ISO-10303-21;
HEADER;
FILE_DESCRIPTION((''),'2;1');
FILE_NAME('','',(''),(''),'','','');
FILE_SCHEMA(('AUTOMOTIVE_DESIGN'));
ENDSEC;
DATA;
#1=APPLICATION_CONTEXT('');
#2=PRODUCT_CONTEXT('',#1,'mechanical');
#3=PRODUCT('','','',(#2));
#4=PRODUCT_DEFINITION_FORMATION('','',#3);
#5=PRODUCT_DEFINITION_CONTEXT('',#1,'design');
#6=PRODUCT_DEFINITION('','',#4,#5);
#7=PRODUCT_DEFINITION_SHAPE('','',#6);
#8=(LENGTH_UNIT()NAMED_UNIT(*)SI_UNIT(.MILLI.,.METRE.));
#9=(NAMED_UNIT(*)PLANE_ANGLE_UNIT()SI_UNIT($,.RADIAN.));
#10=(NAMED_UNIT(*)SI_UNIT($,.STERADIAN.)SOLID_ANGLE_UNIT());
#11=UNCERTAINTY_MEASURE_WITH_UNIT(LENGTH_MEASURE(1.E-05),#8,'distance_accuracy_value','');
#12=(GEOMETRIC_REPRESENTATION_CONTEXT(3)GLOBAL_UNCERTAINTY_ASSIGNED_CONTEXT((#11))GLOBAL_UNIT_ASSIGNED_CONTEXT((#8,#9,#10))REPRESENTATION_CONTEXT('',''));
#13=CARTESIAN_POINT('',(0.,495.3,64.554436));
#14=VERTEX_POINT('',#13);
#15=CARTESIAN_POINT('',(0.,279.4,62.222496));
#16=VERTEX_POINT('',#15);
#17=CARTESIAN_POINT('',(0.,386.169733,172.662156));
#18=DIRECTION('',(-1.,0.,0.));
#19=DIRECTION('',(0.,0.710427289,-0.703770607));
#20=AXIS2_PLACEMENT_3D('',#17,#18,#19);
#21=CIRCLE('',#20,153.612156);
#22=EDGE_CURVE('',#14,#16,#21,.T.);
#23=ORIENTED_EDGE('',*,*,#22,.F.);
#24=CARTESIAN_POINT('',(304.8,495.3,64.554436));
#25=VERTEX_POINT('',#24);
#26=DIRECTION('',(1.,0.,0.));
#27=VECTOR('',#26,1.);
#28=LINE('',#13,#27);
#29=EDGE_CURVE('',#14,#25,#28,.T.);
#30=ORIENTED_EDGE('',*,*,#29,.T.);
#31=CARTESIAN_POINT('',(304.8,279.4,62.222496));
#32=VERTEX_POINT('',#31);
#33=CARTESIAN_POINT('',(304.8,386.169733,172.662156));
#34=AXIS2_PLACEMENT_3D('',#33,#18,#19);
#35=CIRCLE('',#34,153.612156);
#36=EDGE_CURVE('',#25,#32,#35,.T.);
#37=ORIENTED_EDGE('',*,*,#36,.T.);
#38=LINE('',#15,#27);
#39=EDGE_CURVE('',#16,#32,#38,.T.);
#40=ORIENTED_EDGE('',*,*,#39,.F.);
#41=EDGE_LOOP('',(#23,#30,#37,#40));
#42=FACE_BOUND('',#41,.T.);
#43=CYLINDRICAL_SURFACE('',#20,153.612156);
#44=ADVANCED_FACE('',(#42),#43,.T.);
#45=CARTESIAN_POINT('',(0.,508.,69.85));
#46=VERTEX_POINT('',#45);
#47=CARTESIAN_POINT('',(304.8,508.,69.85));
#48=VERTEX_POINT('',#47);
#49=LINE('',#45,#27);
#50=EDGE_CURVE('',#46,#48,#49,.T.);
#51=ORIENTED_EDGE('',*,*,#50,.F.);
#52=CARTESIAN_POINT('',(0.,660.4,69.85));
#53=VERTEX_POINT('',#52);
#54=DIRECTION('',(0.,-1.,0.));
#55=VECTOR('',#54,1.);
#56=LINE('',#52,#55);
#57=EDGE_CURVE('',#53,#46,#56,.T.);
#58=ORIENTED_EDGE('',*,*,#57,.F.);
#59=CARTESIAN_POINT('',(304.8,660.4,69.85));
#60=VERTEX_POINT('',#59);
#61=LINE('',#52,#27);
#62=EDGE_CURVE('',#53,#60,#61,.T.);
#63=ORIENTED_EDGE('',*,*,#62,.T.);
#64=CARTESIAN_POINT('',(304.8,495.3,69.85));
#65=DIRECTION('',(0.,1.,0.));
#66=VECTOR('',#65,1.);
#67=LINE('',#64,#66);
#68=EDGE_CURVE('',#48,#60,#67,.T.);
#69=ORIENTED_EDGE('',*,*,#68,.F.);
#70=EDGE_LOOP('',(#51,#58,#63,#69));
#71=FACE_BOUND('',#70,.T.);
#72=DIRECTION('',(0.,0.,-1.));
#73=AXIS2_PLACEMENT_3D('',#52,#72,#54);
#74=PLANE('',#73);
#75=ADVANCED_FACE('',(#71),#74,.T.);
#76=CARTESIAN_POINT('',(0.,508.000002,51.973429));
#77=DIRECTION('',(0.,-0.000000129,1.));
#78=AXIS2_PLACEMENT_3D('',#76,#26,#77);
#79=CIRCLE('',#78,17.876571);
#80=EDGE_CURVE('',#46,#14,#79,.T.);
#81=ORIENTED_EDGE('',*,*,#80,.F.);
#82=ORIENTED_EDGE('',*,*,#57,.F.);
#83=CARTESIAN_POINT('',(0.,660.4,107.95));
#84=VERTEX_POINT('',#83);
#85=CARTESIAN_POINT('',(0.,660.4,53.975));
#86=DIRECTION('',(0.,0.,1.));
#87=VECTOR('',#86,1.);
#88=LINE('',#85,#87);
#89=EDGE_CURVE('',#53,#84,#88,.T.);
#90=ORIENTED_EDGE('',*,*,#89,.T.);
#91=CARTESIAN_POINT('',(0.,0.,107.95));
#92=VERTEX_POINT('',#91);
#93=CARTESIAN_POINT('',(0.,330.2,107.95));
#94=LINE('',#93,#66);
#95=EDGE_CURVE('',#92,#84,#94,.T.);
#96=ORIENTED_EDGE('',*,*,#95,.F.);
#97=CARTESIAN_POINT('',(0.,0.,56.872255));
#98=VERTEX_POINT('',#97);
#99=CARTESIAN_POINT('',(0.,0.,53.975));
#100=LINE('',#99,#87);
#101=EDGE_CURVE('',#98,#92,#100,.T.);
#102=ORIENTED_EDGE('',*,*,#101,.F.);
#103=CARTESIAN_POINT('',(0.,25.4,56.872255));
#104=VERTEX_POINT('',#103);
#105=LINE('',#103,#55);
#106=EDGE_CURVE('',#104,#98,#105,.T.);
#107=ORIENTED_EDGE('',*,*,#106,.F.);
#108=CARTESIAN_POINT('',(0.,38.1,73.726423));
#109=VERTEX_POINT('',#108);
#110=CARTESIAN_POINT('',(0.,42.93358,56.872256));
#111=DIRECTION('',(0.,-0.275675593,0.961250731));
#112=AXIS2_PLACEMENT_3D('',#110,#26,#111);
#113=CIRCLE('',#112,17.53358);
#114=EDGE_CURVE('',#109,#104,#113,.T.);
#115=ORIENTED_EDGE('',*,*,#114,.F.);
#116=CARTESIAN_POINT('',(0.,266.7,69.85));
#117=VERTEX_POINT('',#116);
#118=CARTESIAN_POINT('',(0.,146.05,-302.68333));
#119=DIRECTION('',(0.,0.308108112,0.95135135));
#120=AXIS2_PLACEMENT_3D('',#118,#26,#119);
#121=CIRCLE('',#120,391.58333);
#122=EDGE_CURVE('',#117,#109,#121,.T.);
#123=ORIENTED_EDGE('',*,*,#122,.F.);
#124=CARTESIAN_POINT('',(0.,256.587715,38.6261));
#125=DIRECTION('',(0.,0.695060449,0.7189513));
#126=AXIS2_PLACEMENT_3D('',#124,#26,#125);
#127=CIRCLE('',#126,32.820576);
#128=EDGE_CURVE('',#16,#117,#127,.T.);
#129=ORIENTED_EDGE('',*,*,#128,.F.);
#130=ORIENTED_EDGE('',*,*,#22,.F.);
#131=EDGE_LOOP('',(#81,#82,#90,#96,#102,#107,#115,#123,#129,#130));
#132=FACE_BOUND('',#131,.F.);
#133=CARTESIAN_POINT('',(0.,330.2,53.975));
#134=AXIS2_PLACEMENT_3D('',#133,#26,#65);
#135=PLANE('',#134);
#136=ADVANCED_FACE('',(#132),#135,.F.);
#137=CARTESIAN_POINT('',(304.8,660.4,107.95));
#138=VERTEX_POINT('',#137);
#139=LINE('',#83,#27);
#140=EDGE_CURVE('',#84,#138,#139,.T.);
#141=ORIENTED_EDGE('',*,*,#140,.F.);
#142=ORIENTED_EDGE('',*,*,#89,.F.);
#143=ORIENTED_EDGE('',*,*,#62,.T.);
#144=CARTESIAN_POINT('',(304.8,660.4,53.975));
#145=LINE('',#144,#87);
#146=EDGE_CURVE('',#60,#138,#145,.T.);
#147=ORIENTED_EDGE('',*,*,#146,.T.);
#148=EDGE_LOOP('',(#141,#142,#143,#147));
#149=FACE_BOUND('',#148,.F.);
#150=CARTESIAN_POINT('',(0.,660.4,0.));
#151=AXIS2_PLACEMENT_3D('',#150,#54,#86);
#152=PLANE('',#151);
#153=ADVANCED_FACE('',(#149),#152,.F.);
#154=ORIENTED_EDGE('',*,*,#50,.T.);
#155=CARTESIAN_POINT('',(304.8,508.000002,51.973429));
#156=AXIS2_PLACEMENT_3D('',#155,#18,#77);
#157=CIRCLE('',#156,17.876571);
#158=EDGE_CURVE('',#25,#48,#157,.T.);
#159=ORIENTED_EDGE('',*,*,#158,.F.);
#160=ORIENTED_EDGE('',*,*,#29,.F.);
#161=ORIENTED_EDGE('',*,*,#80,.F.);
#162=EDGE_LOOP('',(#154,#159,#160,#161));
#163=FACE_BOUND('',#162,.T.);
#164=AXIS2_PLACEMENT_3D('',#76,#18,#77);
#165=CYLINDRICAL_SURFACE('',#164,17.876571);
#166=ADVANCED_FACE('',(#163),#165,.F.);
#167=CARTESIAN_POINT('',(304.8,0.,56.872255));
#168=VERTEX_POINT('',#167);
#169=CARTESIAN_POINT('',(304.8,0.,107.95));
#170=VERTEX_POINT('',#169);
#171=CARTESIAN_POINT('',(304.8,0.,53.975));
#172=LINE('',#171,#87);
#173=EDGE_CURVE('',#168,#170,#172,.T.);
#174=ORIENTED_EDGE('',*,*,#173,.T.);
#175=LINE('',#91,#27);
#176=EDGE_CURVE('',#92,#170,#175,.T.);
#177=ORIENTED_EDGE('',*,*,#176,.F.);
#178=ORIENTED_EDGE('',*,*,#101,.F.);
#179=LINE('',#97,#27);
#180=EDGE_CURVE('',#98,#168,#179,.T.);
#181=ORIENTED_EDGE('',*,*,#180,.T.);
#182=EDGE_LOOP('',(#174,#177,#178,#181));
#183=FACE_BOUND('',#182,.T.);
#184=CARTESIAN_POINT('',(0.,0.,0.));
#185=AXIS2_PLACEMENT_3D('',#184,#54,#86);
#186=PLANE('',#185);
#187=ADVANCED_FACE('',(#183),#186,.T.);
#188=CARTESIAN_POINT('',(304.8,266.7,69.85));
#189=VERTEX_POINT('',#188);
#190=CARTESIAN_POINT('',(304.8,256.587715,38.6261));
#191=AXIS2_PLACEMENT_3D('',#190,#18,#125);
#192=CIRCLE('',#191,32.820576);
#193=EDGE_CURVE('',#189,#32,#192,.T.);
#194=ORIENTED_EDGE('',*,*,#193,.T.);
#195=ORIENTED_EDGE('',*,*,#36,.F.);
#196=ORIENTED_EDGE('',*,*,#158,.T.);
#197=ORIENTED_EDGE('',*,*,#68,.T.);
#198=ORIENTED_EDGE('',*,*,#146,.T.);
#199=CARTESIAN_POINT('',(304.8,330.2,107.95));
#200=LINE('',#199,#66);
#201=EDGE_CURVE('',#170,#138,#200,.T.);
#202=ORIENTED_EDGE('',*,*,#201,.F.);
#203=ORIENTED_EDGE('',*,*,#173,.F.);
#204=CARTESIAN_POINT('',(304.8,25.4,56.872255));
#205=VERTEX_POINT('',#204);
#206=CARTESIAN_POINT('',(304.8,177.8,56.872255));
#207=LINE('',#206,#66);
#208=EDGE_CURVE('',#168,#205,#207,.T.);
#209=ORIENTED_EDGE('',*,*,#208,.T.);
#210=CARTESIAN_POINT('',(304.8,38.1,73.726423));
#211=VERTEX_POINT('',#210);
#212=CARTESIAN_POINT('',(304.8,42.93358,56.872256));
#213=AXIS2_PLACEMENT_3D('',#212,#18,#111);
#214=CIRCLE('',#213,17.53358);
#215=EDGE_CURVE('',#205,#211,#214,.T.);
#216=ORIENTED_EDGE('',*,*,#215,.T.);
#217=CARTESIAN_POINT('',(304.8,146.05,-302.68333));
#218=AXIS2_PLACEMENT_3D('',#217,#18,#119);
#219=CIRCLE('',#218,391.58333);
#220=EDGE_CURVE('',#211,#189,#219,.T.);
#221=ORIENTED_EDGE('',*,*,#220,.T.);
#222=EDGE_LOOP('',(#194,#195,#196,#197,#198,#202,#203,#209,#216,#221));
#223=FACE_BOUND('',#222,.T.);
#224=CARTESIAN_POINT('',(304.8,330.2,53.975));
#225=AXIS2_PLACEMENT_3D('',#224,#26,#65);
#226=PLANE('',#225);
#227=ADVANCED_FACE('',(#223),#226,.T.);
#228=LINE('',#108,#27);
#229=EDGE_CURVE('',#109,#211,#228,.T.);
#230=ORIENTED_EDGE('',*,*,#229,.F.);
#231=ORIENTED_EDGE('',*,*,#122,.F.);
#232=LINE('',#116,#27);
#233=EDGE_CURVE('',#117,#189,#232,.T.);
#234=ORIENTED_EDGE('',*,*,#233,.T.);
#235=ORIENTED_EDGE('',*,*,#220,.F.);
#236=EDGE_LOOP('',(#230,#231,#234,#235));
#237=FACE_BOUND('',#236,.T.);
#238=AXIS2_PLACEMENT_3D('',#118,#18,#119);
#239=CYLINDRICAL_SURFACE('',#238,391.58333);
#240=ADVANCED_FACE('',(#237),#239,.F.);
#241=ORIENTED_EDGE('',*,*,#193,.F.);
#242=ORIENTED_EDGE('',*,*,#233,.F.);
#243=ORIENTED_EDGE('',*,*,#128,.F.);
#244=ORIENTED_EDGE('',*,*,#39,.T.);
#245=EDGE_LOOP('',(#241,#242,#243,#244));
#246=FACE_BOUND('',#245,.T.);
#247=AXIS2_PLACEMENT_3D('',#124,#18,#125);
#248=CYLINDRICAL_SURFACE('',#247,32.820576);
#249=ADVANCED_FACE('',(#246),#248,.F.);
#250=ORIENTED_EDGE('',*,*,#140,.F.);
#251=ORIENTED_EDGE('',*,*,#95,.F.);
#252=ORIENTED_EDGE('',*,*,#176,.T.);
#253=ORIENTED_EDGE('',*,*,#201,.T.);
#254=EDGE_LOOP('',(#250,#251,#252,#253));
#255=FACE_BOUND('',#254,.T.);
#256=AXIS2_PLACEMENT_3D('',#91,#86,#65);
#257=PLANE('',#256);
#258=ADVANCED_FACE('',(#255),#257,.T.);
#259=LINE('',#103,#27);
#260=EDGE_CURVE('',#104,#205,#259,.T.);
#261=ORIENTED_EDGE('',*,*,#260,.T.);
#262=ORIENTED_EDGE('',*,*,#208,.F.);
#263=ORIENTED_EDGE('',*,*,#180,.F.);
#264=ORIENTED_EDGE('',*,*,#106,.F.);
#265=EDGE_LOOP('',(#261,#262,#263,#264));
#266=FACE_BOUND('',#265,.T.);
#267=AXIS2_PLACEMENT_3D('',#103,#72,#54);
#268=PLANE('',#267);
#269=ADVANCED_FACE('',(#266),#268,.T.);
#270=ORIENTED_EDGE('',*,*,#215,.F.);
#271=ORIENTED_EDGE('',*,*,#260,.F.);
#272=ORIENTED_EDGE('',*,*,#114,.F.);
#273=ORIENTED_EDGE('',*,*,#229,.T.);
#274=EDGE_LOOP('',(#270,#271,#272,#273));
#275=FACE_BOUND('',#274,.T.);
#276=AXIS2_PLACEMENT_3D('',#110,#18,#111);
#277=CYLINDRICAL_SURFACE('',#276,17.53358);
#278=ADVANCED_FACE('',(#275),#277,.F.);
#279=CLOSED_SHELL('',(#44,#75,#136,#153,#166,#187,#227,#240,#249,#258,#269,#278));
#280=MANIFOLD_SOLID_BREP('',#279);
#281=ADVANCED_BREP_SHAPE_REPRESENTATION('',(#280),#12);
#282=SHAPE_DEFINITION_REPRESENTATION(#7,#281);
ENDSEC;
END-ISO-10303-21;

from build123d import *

# Parameters (mm, degrees)
F1_W     = 660.4
F1_H     = 107.95
F2_DEPTH = 304.8
F3_DEPTH = 304.801


with BuildPart() as f2:
    # F1 (on Right) → F2 (new body)
    with BuildSketch(Plane.YZ):
        with Locations((330.2, 53.975)):
            Rectangle(F1_W, F1_H)
    extrude(amount=F2_DEPTH)

    # F0 (on Right) → F3 (cut, through all)
    with BuildSketch(Plane.YZ):
        with BuildLine():
            Line((0, 0), (25.4, 0))
            Line((25.4, 0), (635, 0))
            Line((635, 0), (660.4, 0))
            Line((660.4, 0), (660.4, 69.85))
            Line((660.4, 69.85), (635, 69.85))
            Line((635, 69.85), (508, 69.85))
            ThreePointArc((508, 69.85), (501.120084, 68.473081), (495.3, 64.554436))
            ThreePointArc((495.3, 64.554436), (387.828804, 19.05896), (279.4, 62.222496))
            ThreePointArc((279.4, 62.222496), (273.485985, 66.762175), (266.7, 69.85))
            ThreePointArc((266.7, 69.85), (152.689214, 88.843713), (38.1, 73.726423))
            ThreePointArc((38.1, 73.726423), (28.93043, 67.423949), (25.4, 56.872255))
            Line((25.4, 56.872255), (0, 56.872255))
            Line((0, 56.872255), (0, 0))
        make_face()
    extrude(amount=F3_DEPTH, mode=Mode.SUBTRACT)


solid = f2.part
